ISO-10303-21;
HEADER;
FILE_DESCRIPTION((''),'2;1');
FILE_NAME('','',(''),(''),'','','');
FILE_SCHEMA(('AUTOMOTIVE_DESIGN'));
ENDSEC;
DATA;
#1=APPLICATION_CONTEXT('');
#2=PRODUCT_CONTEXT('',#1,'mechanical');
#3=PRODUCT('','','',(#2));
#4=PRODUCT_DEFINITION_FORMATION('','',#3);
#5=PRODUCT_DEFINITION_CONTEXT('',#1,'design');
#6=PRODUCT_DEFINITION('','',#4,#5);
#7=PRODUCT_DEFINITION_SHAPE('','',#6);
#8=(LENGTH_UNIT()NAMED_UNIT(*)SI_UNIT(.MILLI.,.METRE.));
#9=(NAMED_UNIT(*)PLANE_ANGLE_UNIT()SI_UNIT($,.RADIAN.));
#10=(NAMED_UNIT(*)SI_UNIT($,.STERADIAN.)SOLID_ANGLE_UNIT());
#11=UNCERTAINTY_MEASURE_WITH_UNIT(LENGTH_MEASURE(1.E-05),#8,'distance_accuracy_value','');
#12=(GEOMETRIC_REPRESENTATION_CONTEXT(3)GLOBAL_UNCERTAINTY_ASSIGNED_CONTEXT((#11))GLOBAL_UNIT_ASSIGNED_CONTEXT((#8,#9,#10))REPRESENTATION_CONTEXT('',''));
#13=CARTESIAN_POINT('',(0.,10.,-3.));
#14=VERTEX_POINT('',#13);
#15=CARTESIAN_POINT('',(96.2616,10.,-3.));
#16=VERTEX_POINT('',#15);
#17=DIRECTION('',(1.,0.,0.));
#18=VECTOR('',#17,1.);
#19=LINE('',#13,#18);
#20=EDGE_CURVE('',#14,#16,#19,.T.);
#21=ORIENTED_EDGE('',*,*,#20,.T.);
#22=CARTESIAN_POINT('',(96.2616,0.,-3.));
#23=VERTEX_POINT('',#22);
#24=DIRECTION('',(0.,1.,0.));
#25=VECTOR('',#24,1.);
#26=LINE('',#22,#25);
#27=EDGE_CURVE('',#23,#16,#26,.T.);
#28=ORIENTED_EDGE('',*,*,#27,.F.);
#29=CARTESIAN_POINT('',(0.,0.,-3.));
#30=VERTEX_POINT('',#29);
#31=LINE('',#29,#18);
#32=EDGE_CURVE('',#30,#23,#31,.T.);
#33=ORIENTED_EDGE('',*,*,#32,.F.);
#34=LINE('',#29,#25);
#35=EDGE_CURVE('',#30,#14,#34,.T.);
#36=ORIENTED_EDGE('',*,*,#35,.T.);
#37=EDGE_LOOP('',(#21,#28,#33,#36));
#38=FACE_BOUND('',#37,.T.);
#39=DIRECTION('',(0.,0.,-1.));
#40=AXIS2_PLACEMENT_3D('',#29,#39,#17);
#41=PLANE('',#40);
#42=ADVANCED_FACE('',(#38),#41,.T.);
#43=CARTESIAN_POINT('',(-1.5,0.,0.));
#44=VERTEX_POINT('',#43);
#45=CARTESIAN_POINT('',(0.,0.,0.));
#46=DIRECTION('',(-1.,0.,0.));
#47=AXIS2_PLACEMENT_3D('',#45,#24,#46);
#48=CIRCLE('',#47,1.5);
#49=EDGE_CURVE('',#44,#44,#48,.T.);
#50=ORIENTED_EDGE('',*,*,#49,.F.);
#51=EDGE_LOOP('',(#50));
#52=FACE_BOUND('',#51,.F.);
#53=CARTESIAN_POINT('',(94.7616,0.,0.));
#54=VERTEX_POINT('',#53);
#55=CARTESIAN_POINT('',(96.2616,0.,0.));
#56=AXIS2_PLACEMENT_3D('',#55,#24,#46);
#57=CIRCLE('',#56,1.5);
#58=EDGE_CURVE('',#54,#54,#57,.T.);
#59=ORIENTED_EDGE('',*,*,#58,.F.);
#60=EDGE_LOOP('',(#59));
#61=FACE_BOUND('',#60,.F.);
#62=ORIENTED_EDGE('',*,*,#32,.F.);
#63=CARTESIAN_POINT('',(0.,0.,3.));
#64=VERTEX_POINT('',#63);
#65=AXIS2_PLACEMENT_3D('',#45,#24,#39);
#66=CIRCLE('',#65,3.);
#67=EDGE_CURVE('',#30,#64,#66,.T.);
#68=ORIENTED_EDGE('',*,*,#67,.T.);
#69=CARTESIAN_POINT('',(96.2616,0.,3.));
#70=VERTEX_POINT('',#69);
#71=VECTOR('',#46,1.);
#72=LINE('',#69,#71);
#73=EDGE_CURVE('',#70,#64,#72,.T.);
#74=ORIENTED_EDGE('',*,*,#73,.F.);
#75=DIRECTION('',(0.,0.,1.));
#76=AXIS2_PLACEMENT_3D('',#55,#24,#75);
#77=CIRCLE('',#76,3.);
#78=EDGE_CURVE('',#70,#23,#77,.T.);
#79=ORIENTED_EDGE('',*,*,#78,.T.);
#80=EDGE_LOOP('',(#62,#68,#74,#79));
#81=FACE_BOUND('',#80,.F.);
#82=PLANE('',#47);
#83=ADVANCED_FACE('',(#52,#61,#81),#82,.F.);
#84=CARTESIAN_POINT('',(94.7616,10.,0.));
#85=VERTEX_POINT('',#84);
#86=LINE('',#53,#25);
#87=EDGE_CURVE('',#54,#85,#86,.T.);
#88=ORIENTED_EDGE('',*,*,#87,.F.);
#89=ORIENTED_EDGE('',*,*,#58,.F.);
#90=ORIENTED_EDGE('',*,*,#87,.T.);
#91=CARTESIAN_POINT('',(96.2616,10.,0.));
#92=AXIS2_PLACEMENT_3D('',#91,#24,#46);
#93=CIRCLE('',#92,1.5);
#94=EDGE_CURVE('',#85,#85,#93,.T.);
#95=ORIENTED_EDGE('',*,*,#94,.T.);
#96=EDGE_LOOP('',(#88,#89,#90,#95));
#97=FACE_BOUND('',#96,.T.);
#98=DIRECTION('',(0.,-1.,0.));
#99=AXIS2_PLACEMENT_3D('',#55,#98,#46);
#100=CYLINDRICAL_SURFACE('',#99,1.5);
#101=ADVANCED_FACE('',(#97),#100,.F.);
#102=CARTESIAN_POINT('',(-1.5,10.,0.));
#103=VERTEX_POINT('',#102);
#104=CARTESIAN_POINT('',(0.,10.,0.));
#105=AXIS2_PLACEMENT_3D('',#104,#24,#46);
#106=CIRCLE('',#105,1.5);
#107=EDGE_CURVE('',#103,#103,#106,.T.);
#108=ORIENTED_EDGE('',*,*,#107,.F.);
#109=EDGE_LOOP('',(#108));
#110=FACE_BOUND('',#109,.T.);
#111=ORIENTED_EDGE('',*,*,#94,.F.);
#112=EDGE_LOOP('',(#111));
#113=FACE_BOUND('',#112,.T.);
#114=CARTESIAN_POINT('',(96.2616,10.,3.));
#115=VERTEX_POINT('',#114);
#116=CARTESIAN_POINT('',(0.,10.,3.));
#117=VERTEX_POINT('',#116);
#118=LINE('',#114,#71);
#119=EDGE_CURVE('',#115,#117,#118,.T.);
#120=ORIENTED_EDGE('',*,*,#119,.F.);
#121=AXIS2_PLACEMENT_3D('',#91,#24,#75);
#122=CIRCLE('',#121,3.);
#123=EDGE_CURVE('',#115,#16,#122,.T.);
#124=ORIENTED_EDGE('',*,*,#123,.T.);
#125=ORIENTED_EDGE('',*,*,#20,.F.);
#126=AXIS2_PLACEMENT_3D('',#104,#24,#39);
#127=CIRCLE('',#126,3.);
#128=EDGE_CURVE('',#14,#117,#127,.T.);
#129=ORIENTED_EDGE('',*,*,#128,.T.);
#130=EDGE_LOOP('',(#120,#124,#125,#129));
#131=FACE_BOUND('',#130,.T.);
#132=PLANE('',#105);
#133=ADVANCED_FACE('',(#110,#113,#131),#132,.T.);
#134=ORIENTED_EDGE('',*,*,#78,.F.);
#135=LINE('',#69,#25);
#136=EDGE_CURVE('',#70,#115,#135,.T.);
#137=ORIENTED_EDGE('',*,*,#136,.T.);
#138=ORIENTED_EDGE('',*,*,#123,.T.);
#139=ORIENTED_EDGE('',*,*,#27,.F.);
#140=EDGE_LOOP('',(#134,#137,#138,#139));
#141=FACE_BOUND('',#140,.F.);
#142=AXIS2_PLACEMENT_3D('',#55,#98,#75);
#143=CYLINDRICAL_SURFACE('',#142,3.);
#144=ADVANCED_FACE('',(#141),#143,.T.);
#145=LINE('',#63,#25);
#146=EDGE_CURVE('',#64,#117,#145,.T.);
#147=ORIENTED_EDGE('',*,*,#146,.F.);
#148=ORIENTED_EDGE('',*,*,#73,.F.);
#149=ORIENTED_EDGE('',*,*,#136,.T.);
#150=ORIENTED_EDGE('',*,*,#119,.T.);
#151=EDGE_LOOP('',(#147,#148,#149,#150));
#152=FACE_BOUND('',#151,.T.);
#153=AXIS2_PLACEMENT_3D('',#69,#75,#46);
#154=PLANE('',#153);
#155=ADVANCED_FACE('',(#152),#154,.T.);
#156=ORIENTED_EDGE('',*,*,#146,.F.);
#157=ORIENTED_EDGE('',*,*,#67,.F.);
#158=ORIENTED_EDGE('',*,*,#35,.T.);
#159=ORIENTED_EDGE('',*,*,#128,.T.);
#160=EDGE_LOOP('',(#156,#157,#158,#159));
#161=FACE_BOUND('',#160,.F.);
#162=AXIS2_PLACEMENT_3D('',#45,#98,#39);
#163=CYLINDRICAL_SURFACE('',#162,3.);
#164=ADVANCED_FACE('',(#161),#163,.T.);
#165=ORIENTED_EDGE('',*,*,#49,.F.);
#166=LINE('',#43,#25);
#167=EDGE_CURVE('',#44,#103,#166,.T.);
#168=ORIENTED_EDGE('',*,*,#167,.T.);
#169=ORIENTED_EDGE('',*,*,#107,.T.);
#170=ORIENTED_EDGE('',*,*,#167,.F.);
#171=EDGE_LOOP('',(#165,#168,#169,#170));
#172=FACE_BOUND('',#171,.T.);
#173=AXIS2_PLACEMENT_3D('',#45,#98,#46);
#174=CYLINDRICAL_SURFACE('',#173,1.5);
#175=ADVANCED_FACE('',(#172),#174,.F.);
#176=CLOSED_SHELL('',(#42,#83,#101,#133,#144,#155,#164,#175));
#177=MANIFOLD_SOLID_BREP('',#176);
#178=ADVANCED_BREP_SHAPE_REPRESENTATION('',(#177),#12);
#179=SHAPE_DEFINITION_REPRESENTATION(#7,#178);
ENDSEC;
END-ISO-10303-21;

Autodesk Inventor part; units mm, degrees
ref_plane "YZ Plane" through (0, 0, 0) normal (1, 0, 0) x (0, 1, 0)
ref_plane "XZ Plane" through (0, 0, 0) normal (0, 1, 0) x (-1, 0, 0)
ref_plane "XY Plane" through (0, 0, 0) normal (0, 0, 1) x (1, 0, 0)
sketch "草圖3" plane through (0, 0, 0) normal (0, 1, 0) x (-1, 0, 0)
  line L0 (-99.2616, 0) -> (3, 0) construction
  line L1 (-96.2616, 3) -> (0, 3)
  line L2 (0, -3) -> (-96.2616, -3)
  arc A0 (-96.2616, 3) -> (-96.2616, -3) centre (-96.2616, 0) ccw
  arc A1 (0, -3) -> (0, 3) centre (0, 0) ccw
  circle A2 centre (-96.2616, 0) radius 1.5
  circle A3 centre (0, 0) radius 1.5
  point P0 (-48.1308, 0)
  dimension "hole" = 3
  dimension "d14" = 6
  dimension "center_distance" = 96.2617
extrude "擠出3" add sketch "草圖3" along normal blind 10
equation "\"d14\" = 2 * hole"
properties part number "test"
